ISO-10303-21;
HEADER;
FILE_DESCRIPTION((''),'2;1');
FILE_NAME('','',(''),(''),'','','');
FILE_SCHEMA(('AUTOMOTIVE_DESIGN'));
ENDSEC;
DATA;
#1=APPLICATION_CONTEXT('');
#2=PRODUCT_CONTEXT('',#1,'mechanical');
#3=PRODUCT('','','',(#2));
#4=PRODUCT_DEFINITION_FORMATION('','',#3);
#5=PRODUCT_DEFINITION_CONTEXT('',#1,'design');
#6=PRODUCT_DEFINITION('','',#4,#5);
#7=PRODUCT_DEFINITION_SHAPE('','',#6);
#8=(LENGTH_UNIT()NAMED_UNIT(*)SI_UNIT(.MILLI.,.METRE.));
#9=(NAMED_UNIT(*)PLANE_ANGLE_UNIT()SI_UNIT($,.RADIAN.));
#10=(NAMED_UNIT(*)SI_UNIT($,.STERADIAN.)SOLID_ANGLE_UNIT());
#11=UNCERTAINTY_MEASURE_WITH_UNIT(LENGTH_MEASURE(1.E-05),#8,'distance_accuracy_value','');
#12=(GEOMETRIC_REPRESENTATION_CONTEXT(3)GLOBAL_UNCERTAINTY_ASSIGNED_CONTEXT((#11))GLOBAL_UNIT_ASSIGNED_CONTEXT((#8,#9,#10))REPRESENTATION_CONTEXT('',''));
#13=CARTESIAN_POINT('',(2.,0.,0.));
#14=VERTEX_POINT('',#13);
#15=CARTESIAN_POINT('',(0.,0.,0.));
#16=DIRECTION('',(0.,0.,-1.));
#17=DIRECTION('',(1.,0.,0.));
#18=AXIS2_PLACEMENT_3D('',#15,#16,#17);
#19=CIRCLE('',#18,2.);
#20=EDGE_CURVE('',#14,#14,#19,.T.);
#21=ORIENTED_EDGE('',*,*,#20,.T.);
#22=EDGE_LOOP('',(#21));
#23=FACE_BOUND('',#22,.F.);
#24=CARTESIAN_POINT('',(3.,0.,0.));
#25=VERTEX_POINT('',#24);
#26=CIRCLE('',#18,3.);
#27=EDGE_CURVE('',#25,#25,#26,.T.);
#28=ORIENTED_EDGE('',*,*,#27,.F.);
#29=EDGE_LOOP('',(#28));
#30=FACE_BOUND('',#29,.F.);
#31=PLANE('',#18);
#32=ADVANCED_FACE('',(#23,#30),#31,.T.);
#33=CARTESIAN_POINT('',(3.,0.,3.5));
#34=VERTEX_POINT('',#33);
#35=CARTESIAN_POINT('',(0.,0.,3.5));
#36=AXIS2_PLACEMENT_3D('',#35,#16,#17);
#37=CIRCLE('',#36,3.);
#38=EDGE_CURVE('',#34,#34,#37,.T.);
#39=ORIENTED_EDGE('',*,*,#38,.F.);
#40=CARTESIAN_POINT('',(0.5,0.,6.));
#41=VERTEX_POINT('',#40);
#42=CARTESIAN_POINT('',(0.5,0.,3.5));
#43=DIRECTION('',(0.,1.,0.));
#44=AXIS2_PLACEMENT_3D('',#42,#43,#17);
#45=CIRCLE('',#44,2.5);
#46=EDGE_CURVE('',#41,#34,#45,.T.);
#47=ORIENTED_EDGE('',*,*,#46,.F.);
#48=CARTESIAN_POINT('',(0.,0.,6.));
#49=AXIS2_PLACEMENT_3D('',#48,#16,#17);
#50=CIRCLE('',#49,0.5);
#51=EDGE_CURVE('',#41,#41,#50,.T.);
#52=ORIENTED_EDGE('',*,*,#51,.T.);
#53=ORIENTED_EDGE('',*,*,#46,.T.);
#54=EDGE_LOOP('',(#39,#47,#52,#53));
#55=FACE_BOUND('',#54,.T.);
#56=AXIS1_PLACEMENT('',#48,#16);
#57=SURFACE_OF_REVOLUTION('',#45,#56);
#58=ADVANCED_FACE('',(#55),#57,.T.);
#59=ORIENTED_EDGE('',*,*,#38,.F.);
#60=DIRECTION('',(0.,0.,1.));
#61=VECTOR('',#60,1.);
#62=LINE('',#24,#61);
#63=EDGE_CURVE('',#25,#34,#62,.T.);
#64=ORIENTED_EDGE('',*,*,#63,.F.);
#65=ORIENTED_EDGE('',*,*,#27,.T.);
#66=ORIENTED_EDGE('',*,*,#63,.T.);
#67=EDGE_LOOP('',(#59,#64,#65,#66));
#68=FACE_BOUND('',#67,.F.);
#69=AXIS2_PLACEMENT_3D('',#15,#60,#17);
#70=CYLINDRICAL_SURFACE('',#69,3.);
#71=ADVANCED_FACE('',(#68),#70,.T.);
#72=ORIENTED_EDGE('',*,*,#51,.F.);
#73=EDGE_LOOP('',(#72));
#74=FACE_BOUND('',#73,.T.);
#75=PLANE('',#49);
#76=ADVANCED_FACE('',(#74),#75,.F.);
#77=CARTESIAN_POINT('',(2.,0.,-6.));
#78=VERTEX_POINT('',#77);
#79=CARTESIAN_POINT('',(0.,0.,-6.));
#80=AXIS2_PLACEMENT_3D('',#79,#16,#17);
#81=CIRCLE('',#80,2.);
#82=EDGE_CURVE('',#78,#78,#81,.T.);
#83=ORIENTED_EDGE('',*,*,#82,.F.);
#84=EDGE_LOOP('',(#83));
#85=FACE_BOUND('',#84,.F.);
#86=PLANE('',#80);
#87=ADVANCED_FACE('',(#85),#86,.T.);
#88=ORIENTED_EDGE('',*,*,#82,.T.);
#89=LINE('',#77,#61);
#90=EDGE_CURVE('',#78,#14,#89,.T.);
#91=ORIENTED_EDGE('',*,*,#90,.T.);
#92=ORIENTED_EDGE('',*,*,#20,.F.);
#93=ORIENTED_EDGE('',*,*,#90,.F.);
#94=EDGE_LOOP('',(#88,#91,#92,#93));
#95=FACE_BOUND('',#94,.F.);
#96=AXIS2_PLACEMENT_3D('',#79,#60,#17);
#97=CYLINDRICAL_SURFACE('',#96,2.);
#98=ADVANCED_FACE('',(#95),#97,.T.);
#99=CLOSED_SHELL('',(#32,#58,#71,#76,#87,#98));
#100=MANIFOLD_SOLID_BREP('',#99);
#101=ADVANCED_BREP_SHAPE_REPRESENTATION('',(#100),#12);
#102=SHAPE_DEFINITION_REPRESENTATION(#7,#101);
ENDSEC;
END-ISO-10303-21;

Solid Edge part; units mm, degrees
sketch "Sketch1" plane through (0, 0, 0) normal (0, -1, 0) x (1, 0, 0)
  line L0 (0, 6) -> (0, -6)
  line L1 (0, -6) -> (2, -6)
  line L2 (2, -6) -> (2, 0)
  line L3 (2, 0) -> (3, 0)
  line L4 (3, 0) -> (3, 3.5)
  arc A0 (0.5, 6) -> (3, 3.5) centre (0.5, 3.5) cw
  line L5 (0, 6) -> (0.5, 6)
revolve "RevolvedProtrusion1" add sketch "Sketch1" angle 360 about axis through (0, 0, 6) along (0, 0, -1)
properties material "Stainless Steel, 304"
